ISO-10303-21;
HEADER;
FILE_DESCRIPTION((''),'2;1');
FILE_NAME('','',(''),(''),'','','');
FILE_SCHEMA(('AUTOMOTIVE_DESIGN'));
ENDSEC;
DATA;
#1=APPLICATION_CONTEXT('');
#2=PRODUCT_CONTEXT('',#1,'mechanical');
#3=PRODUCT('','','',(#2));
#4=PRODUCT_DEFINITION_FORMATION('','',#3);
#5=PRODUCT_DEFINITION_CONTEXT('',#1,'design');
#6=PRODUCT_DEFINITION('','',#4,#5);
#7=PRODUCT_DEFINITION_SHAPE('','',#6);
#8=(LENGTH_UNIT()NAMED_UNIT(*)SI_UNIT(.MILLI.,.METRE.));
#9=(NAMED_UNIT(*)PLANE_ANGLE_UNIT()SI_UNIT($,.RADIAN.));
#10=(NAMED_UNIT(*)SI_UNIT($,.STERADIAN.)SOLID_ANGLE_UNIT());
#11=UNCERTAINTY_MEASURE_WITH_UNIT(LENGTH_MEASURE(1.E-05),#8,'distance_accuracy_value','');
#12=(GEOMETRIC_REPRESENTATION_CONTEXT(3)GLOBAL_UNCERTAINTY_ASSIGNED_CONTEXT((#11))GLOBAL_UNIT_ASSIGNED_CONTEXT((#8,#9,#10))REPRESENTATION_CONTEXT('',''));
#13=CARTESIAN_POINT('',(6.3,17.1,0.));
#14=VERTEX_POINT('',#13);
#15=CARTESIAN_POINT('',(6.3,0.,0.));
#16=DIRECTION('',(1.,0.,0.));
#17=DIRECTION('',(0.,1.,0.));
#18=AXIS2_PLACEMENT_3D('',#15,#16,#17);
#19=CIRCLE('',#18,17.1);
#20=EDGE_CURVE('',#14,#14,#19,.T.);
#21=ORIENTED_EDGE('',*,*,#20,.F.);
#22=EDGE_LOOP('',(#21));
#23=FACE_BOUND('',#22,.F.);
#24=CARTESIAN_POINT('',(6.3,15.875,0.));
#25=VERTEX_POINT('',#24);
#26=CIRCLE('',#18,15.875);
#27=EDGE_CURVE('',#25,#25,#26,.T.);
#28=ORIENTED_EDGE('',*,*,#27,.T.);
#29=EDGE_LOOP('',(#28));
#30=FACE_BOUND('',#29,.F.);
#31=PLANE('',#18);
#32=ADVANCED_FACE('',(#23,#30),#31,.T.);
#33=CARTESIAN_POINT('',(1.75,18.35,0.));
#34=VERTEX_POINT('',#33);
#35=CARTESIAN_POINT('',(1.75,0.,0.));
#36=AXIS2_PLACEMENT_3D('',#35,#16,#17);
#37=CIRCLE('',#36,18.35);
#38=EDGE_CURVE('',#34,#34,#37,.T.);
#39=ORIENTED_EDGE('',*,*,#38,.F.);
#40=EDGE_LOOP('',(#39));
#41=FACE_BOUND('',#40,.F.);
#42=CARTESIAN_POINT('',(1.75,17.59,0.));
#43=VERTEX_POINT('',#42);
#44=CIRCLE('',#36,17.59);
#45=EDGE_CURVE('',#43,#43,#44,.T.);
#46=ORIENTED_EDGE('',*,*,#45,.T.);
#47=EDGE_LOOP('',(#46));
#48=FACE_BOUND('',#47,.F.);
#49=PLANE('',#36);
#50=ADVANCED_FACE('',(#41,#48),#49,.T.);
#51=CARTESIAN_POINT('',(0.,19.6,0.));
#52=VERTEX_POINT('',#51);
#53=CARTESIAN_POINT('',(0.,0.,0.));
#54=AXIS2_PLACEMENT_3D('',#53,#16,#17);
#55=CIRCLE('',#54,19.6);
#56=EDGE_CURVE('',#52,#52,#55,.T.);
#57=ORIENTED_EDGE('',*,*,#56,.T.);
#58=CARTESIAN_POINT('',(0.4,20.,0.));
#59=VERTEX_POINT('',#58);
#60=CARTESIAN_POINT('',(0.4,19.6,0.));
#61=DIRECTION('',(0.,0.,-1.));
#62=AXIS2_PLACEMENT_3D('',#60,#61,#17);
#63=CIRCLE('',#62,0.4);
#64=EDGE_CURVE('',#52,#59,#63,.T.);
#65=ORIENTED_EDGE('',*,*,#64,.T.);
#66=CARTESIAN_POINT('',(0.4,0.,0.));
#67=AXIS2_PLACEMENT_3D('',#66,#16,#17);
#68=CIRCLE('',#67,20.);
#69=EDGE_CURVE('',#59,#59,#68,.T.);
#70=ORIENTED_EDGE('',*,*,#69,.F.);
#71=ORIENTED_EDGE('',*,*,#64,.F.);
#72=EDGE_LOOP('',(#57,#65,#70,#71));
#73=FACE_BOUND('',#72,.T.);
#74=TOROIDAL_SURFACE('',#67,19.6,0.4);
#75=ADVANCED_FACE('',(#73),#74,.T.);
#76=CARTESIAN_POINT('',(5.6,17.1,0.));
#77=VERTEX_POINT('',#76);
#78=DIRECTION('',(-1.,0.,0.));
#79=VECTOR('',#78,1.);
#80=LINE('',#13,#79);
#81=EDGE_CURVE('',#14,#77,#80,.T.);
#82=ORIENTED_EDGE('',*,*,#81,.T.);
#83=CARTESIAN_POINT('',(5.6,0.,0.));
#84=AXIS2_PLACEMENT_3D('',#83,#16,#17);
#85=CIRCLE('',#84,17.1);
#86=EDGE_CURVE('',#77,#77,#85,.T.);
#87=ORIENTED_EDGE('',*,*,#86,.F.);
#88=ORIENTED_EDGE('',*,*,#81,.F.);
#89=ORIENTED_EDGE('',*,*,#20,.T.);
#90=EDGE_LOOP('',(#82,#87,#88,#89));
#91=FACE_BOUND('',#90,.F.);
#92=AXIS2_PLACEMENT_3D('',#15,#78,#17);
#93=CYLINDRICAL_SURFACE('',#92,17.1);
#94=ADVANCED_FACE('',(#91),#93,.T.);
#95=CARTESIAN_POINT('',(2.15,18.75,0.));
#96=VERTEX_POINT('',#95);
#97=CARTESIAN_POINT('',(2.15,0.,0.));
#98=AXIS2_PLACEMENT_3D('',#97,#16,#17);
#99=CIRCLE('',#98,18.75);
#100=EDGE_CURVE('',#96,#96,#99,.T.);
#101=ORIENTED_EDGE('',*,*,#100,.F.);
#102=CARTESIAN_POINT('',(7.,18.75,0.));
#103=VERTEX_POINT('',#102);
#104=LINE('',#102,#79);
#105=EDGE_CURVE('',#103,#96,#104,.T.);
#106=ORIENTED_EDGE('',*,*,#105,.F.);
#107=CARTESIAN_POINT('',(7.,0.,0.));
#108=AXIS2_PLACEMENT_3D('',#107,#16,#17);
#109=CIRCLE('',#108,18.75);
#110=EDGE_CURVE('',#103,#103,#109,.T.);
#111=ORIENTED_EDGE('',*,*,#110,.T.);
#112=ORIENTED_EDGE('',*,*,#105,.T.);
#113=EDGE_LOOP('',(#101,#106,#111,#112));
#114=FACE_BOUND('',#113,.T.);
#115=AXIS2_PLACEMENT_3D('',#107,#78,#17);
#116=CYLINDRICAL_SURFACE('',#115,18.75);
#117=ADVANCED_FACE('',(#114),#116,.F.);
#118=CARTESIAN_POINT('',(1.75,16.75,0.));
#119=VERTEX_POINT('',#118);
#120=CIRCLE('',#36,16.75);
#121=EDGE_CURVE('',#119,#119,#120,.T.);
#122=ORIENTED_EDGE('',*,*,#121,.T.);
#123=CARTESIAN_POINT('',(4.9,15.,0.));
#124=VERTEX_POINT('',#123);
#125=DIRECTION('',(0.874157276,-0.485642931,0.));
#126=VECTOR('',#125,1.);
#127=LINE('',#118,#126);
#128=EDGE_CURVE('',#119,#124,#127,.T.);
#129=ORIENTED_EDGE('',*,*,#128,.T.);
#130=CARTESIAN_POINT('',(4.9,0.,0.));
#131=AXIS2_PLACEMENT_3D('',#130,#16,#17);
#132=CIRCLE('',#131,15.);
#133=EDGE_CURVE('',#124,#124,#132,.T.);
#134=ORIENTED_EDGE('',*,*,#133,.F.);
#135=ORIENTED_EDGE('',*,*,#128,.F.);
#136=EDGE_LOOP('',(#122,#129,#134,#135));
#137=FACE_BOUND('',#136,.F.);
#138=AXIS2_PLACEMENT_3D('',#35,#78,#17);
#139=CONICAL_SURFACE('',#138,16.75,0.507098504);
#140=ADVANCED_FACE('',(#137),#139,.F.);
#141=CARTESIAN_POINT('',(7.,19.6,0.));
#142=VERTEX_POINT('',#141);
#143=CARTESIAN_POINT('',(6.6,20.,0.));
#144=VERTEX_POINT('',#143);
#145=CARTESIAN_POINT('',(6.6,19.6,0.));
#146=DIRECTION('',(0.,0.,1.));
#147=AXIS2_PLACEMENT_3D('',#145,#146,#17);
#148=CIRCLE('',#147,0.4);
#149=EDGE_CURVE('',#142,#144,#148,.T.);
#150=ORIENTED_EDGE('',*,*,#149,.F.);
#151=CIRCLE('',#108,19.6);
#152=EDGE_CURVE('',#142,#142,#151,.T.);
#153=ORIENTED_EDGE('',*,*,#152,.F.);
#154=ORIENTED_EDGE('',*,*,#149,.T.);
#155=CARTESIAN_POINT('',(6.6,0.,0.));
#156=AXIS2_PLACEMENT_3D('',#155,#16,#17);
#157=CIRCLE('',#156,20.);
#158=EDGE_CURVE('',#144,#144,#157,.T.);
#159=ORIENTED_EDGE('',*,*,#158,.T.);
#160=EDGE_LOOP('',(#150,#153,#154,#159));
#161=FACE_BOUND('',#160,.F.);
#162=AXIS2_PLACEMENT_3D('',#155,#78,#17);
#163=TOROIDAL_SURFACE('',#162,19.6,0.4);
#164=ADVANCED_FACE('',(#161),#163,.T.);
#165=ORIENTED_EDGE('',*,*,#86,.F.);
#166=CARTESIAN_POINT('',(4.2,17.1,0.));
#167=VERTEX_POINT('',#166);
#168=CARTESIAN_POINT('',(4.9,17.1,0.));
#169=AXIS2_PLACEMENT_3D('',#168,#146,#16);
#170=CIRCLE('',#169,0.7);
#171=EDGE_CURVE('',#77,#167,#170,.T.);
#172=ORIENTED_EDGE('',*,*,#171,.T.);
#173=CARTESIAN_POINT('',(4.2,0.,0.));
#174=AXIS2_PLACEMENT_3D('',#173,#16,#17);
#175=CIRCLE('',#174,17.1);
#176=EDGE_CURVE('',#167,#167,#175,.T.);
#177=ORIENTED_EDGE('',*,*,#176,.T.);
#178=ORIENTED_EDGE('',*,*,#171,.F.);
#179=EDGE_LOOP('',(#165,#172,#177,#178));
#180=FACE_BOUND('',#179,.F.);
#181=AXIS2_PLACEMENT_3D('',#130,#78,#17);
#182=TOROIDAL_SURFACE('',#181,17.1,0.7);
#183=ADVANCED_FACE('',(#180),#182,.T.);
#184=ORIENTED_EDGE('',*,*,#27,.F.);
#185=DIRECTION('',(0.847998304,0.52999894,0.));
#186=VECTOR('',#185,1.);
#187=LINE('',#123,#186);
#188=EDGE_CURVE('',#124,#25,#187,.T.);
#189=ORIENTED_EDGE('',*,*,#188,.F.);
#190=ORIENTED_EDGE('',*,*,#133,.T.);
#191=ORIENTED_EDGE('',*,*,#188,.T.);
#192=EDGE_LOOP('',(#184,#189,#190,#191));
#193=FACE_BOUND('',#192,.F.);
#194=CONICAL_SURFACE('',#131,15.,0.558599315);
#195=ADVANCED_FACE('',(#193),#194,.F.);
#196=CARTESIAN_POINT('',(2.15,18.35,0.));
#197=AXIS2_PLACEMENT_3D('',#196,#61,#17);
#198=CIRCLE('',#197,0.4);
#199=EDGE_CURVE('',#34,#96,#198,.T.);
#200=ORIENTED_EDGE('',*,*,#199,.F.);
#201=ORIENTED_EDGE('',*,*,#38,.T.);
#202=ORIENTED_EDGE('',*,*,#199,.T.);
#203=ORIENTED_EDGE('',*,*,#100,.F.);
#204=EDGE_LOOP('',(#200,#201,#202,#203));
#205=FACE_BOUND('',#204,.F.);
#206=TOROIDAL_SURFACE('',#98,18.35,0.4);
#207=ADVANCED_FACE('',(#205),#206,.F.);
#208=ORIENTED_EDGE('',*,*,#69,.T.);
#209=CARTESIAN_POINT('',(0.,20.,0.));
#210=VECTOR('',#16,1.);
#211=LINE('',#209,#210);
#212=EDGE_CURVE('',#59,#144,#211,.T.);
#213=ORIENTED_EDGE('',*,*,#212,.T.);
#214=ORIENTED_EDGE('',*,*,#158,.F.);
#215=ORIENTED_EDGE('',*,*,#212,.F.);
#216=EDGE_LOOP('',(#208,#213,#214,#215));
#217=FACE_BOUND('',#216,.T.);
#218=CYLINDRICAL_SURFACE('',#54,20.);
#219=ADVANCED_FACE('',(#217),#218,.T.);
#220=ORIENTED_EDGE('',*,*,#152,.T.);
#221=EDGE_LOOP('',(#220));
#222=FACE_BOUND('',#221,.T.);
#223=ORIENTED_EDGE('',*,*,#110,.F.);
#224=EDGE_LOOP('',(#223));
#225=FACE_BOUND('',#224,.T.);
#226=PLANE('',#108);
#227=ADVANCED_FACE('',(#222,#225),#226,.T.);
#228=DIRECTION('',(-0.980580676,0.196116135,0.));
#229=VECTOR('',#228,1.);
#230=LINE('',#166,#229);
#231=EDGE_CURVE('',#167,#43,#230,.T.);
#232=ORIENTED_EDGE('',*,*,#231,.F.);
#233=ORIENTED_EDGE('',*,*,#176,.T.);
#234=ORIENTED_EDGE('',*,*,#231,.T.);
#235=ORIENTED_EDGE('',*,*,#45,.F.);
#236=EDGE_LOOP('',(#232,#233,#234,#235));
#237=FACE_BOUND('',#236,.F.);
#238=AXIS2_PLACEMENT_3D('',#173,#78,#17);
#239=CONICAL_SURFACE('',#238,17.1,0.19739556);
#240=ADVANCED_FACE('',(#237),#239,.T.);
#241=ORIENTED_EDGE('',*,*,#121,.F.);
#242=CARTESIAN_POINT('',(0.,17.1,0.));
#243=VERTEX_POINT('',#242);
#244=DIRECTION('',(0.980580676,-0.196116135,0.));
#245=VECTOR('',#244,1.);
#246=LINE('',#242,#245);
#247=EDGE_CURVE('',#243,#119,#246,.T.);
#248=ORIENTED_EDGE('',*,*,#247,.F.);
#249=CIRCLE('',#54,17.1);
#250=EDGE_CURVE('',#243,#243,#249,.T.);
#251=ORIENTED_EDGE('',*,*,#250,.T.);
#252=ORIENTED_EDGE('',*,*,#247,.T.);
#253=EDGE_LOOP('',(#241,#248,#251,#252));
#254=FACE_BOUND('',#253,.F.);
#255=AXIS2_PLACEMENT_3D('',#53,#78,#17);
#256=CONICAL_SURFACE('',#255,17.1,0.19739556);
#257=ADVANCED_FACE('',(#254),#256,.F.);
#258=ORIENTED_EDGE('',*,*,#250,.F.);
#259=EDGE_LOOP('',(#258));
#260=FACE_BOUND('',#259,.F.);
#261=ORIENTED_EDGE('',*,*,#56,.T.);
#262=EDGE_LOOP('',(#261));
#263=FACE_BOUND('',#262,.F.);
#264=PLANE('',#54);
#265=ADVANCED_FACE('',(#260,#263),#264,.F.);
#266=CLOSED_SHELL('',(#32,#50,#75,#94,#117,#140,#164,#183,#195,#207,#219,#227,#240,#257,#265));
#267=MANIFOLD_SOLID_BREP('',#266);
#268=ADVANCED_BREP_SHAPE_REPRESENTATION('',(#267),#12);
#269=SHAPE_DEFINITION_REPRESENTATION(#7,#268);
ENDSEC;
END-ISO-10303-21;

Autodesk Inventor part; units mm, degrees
ref_plane "YZ Plane" through (0, 0, 0) normal (1, 0, 0) x (0, 1, 0)
ref_plane "XZ Plane" through (0, 0, 0) normal (0, 1, 0) x (-1, 0, 0)
ref_plane "XY Plane" through (0, 0, 0) normal (0, 0, 1) x (1, 0, 0)
sketch "Skizze1" plane through (0, 0, 0) normal (0, 0, 1) x (1, 0, 0)
  circle A0 centre (4.9, 17.1) radius 0.455
  circle A1 centre (4.9, 17.1) radius 0.7
  line L0 (6.3, 15.875) -> (6.3, 17.1)
  line L1 (0, 20) -> (7, 20)
  line L2 (7, 20) -> (7, 18.75)
  line L3 (7, 18.75) -> (1.75, 18.75)
  line L4 (0, 0) -> (9.5856, 0)
  line L5 (0, 20) -> (0, 17.1)
  line L6 (0, 17.1) -> (1.75, 16.75)
  line L7 (1.75, 16.75) -> (4.9, 15)
  line L8 (4.9, 15) -> (6.3, 15.875)
  line L9 (4.9, 15) -> (0, 15) construction
  line L10 (0, 18) -> (0, -3) projected
  line L11 (-1.9171, 0) -> (11.5027, 0) projected
  line L12 (4.2, 17.1) -> (1.75, 17.59)
  line L13 (1.75, 17.59) -> (1.75, 18.75)
  line L14 (6.3, 17.1) -> (5.6, 17.1)
  dimension "d0" = 40
  dimension "d1" = 31.75
  dimension "d2" = 1.25
  dimension "d3" = 0.91
  dimension "d4" = 1.4
  dimension "d5" = 30
  dimension "d6" = 33.5
  dimension "d7" = 34.2
  dimension "d8" = 4.9
  dimension "d9" = 6.3
  dimension "d10" = 7
  dimension "d12" = 1.75
revolve "Körper" add sketch "Skizze1" angle 360 about axis through (0, 0, 0) along (1, 0, 0) contours L14 L0 L8 L7 L6 L5 L1 L2 L3 L13 L12 A1
revolve "Feder1" add sketch "Skizze1" angle 360 about axis through (0, 0, 0) along (1, 0, 0) contours A0 | A1
fillet "Rundung1" radius 0.4 3 edges at (7, -20, 0) (1.75, -18.75, 0) (0, -20, 0)
equation "\"d0\" = SD2"
equation "\"d1\" = ABDM"
equation "\"d3\" = SPDI"
equation "\"d4\" = SPDA"
equation "\"d5\" = NND"
equation "\"d6\" = TKDM"
equation "\"d7\" = HLDM"
equation "\"d8\" = SPDST"
equation "\"d9\" = SDI"
equation "\"d10\" = SWDT"
equation "\"d12\" = SD"
equation "\"d11\" = RR"
equation "\"SD2\" = 40"
equation "\"SWDT\" = 7"
equation "\"RR\" = 0.4"
equation "\"SD\" = 1.75"
equation "\"NND\" = 30"
equation "\"SPDA\" = 1.4"
equation "\"SPDI\" = 0.91"
equation "\"TKDM\" = 33.5"
equation "\"HLDM\" = 34.2"
equation "\"ABDM\" = 31.75"
equation "\"SDI\" = 6.3"
equation "\"SPDST\" = 4.9"
equation "\"LAB\" = 0.35"
properties part number "DIN 3760 - A - 30 x 40 x 7 - NBR" material "Gummi"
